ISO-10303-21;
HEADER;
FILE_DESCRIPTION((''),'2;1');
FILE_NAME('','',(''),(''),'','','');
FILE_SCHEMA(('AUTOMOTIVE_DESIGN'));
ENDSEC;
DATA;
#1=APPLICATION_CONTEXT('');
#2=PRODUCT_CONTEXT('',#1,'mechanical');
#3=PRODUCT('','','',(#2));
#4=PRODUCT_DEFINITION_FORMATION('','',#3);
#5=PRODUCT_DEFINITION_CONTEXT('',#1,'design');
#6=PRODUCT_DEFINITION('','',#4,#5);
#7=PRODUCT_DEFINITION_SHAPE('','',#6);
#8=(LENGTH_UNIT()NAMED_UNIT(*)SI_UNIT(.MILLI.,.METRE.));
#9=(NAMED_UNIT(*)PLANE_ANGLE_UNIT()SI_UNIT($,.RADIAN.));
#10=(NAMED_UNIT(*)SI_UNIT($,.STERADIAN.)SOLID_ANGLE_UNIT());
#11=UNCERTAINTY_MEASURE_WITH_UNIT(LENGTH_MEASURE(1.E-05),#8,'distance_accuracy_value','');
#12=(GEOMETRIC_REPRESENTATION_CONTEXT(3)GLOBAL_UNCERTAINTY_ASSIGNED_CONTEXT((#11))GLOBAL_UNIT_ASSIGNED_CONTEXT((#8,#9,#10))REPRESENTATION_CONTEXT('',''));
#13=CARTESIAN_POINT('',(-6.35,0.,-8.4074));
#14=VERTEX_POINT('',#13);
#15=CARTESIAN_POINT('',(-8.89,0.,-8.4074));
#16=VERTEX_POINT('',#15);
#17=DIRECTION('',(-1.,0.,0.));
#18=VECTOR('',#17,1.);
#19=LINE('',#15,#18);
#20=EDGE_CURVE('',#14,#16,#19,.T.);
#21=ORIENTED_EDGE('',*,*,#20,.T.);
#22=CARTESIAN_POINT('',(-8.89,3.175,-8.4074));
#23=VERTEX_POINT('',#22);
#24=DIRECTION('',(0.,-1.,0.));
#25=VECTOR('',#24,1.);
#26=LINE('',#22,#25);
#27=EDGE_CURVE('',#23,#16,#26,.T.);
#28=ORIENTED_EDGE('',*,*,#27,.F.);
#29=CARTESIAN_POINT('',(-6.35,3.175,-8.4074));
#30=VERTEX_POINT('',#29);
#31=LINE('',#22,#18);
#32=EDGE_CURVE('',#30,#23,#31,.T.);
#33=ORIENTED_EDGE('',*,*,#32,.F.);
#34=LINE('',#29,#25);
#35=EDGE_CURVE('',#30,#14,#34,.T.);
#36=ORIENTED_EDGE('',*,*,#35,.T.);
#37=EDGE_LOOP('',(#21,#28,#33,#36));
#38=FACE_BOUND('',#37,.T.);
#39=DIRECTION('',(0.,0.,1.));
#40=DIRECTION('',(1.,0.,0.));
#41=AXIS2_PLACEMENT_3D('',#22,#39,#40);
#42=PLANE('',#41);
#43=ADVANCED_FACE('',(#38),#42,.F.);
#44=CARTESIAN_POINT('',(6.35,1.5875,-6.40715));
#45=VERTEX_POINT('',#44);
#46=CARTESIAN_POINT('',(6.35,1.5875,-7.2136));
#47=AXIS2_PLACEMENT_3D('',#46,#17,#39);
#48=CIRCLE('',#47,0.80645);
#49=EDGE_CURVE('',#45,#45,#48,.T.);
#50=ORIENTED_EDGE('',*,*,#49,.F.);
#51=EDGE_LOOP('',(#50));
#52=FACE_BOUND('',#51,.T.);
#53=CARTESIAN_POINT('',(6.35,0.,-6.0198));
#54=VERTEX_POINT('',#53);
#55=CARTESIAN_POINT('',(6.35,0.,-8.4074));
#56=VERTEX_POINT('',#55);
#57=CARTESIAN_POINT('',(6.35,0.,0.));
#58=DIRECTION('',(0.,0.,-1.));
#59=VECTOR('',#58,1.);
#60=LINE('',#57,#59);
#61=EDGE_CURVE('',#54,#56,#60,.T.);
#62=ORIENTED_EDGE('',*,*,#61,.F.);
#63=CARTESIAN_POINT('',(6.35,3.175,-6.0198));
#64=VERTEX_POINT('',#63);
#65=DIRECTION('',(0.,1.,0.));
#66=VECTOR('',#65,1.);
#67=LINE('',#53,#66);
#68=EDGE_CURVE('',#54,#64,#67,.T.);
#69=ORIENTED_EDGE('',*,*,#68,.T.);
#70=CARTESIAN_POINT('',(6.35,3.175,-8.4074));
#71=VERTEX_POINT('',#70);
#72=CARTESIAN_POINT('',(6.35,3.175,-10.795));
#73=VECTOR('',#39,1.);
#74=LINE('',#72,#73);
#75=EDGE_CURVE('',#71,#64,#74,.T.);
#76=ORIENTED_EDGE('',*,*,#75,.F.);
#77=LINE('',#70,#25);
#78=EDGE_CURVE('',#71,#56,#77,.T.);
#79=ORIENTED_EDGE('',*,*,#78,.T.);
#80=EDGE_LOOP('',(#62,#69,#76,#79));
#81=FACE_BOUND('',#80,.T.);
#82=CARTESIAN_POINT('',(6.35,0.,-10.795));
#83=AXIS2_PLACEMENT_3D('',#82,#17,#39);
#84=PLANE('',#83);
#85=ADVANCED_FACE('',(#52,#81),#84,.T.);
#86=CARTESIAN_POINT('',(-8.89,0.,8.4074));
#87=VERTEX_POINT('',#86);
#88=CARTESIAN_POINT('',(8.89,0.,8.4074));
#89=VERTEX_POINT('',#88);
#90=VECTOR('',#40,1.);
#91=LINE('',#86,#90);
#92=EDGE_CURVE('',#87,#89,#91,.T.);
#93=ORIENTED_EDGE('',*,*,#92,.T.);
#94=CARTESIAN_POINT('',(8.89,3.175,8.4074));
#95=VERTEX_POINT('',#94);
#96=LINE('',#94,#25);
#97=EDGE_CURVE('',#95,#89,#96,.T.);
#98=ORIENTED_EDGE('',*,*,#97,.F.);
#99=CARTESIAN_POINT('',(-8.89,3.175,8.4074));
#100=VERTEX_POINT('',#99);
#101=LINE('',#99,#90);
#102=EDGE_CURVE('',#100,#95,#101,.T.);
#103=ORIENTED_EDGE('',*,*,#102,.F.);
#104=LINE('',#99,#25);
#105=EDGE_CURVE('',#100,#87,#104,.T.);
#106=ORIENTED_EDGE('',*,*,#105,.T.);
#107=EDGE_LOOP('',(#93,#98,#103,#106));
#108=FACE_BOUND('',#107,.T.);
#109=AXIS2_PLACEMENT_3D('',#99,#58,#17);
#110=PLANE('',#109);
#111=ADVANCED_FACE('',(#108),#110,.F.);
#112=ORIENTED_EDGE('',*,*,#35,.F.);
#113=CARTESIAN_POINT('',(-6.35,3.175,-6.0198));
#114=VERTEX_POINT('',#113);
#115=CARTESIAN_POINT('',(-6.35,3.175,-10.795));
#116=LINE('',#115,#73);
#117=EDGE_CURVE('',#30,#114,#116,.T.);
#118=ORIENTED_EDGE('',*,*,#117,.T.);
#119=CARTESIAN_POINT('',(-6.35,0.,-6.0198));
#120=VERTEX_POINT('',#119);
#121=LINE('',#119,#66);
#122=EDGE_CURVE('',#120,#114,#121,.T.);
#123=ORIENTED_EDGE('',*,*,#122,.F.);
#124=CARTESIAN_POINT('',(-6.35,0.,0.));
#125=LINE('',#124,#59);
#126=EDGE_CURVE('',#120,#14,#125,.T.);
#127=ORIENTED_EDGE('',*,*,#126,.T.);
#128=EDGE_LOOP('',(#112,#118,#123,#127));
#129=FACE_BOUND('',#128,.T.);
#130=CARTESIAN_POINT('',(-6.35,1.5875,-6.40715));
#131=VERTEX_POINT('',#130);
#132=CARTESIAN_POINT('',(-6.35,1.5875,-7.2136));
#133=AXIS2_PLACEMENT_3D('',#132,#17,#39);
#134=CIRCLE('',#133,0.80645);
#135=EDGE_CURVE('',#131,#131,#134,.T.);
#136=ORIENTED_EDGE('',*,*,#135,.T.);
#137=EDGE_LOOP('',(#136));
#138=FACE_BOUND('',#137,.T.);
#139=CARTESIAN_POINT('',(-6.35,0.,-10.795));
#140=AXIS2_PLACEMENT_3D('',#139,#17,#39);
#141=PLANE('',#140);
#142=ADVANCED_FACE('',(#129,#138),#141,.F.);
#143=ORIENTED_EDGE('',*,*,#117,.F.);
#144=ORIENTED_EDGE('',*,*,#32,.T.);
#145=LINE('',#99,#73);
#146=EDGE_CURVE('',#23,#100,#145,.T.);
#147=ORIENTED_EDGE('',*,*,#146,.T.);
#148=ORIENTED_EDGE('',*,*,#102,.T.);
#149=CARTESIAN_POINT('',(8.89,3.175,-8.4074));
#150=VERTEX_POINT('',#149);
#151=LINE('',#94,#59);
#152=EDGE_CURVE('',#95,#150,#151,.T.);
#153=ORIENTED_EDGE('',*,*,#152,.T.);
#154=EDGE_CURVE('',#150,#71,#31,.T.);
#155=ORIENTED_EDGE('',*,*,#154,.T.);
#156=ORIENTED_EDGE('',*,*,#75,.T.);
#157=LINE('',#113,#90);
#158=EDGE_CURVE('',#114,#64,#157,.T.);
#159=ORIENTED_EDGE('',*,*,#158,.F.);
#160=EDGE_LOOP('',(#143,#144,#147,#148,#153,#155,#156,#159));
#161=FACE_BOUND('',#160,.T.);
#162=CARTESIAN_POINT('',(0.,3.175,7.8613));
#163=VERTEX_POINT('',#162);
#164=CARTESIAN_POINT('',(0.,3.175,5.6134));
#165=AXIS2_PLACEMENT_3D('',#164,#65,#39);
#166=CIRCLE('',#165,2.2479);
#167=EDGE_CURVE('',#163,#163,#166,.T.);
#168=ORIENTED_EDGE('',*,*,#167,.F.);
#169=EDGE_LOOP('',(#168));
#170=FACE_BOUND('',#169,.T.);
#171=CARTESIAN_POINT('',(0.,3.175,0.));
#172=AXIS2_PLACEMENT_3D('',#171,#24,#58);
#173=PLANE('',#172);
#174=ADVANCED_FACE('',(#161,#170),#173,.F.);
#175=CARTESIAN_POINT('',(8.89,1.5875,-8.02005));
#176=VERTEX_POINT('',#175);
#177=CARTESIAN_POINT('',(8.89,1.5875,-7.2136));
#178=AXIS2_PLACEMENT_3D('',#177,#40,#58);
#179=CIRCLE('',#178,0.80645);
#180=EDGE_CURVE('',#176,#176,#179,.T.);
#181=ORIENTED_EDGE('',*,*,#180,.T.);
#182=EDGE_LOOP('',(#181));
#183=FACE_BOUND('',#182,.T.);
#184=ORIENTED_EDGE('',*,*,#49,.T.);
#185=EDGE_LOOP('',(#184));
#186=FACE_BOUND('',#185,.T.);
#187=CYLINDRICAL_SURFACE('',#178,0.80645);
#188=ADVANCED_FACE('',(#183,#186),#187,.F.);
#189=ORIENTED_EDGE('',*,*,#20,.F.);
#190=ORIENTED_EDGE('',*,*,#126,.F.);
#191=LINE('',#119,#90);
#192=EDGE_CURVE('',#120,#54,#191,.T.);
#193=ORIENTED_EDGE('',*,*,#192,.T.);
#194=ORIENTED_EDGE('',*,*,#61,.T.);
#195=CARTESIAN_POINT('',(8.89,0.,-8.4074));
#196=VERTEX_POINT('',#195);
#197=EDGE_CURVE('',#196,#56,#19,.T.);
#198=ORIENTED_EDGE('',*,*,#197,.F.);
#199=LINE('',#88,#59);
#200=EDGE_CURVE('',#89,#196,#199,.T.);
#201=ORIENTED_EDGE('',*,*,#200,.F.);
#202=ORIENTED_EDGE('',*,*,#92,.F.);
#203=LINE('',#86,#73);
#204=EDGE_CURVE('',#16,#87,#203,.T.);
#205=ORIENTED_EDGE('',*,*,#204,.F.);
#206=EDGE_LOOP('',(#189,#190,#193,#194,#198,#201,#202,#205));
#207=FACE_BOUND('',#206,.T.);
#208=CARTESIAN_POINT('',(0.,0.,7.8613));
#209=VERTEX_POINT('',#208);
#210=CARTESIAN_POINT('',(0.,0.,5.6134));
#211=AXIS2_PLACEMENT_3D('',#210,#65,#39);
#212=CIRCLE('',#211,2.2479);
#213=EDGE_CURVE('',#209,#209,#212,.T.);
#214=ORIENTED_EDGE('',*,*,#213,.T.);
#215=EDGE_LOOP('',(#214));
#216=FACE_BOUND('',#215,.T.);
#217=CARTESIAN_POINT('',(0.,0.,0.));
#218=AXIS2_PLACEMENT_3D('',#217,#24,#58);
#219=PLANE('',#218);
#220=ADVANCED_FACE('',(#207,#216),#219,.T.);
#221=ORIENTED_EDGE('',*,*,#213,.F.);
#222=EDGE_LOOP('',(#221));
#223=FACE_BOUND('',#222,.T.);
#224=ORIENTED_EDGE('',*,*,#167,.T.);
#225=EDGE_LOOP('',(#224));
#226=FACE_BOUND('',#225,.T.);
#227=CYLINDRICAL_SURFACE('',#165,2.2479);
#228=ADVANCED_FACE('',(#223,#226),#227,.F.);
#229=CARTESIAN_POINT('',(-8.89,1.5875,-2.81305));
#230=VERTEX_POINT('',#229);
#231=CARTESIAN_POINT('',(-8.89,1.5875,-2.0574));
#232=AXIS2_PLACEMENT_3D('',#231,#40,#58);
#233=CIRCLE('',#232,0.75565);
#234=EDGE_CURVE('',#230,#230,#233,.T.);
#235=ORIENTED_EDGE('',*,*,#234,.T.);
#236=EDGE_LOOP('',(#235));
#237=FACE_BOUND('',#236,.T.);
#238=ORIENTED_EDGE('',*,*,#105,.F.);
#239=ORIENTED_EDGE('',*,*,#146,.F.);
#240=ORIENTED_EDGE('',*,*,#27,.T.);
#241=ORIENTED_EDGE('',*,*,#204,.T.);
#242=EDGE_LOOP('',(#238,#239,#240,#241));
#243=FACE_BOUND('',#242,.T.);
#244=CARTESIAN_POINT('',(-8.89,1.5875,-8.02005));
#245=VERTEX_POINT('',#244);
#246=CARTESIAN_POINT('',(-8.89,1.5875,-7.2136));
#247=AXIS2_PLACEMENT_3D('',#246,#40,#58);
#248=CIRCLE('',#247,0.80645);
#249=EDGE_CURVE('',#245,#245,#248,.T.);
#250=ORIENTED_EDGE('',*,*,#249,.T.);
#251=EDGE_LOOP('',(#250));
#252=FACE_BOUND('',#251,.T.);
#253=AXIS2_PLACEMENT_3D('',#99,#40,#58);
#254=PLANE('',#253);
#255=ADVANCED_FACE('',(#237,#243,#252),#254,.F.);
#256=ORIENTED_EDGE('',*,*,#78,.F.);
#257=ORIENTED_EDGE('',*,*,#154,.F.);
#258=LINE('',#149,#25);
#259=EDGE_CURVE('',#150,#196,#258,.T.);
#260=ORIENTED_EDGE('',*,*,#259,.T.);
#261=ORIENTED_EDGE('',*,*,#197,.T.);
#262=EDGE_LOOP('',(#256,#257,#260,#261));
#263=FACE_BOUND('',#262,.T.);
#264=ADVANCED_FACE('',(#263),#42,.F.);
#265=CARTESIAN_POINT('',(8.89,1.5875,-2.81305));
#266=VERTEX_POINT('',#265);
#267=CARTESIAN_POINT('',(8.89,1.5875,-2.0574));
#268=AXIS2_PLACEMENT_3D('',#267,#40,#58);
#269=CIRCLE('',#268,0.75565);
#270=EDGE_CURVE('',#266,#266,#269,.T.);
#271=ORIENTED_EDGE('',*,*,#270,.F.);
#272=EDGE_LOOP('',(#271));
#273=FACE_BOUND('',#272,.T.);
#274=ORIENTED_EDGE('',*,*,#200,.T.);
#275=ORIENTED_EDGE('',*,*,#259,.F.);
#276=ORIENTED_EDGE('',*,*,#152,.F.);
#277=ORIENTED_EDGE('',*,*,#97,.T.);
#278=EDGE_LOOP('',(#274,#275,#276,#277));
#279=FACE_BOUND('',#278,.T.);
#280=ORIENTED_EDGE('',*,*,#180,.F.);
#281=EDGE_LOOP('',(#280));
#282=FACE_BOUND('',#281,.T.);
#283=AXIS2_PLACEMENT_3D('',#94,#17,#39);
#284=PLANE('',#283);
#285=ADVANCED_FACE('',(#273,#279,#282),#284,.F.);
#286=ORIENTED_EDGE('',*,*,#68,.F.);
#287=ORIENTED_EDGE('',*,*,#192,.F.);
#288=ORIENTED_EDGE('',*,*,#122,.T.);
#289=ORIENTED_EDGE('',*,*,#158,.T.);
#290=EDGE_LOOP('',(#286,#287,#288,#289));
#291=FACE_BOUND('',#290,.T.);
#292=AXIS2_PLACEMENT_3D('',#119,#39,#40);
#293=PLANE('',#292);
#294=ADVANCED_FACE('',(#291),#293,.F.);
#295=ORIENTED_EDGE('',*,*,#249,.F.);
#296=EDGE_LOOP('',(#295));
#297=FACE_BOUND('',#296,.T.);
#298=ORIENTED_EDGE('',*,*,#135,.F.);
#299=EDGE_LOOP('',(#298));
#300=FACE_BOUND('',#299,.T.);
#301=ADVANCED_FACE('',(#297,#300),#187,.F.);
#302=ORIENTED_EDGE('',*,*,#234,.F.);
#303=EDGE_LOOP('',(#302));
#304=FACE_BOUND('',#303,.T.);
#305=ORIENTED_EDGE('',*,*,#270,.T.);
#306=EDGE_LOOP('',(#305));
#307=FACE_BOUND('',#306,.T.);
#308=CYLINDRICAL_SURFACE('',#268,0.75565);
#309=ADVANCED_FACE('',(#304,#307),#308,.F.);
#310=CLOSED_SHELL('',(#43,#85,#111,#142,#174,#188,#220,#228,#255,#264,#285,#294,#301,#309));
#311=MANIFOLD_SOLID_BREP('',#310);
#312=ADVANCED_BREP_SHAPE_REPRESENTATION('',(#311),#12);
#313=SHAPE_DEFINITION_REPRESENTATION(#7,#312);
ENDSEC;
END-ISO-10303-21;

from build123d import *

# Parameters (mm, degrees)
SKETCH1_W             = 17.78
SKETCH1_H             = 16.8148
BOSS_EXTRUDE1_DEPTH   = 3.175
SKETCH2_W             = 12.7
SKETCH2_H             = 4.7752
CUT_EXTRUDE1_DEPTH    = 13.64108776
F_8_CLEARANCE_HOLE1_D = 4.4958
F_0_CLEARANCE_HOLE1_D = 1.6129
F_1_72_TAPPED_HOLE1_D = 1.5113


with BuildPart() as part:
    # Sketch1 → Boss-Extrude1 (new body)
    with BuildSketch(Plane(origin=(0, 0, 0), x_dir=(1, 0, 0), z_dir=(0, 1, 0))):
        Rectangle(SKETCH1_W, SKETCH1_H)
    extrude(amount=BOSS_EXTRUDE1_DEPTH)

    # Sketch2 → Cut-Extrude1 (cut, through all)
    with BuildSketch(Plane(origin=(0, 3.175, 0), x_dir=(1, 0, 0), z_dir=(0, 1, 0))):
        with Locations((0, 8.4074)):
            Rectangle(SKETCH2_W, SKETCH2_H)
    extrude(amount=-CUT_EXTRUDE1_DEPTH, mode=Mode.SUBTRACT)

    # #8 Clearance Hole1 (through all)
    with Locations(Plane(origin=(0, 3.175, 0), x_dir=(1, 0, 0), z_dir=(0, 1, 0))):
        with Locations((0, -5.6134)):
            Hole(F_8_CLEARANCE_HOLE1_D / 2)

    # #0 Clearance Hole1 (through all)
    with Locations(Plane(origin=(8.89, 0, 0), x_dir=(0, 0, -1), z_dir=(1, 0, 0))):
        with Locations((7.2136, 1.5875)):
            Hole(F_0_CLEARANCE_HOLE1_D / 2)

    # #1-72 Tapped Hole1 (through all)
    with Locations(Plane(origin=(8.89, 0, 0), x_dir=(0, 0, -1), z_dir=(1, 0, 0))):
        with Locations((2.0574, 1.5875)):
            Hole(F_1_72_TAPPED_HOLE1_D / 2)


solid = part.part
